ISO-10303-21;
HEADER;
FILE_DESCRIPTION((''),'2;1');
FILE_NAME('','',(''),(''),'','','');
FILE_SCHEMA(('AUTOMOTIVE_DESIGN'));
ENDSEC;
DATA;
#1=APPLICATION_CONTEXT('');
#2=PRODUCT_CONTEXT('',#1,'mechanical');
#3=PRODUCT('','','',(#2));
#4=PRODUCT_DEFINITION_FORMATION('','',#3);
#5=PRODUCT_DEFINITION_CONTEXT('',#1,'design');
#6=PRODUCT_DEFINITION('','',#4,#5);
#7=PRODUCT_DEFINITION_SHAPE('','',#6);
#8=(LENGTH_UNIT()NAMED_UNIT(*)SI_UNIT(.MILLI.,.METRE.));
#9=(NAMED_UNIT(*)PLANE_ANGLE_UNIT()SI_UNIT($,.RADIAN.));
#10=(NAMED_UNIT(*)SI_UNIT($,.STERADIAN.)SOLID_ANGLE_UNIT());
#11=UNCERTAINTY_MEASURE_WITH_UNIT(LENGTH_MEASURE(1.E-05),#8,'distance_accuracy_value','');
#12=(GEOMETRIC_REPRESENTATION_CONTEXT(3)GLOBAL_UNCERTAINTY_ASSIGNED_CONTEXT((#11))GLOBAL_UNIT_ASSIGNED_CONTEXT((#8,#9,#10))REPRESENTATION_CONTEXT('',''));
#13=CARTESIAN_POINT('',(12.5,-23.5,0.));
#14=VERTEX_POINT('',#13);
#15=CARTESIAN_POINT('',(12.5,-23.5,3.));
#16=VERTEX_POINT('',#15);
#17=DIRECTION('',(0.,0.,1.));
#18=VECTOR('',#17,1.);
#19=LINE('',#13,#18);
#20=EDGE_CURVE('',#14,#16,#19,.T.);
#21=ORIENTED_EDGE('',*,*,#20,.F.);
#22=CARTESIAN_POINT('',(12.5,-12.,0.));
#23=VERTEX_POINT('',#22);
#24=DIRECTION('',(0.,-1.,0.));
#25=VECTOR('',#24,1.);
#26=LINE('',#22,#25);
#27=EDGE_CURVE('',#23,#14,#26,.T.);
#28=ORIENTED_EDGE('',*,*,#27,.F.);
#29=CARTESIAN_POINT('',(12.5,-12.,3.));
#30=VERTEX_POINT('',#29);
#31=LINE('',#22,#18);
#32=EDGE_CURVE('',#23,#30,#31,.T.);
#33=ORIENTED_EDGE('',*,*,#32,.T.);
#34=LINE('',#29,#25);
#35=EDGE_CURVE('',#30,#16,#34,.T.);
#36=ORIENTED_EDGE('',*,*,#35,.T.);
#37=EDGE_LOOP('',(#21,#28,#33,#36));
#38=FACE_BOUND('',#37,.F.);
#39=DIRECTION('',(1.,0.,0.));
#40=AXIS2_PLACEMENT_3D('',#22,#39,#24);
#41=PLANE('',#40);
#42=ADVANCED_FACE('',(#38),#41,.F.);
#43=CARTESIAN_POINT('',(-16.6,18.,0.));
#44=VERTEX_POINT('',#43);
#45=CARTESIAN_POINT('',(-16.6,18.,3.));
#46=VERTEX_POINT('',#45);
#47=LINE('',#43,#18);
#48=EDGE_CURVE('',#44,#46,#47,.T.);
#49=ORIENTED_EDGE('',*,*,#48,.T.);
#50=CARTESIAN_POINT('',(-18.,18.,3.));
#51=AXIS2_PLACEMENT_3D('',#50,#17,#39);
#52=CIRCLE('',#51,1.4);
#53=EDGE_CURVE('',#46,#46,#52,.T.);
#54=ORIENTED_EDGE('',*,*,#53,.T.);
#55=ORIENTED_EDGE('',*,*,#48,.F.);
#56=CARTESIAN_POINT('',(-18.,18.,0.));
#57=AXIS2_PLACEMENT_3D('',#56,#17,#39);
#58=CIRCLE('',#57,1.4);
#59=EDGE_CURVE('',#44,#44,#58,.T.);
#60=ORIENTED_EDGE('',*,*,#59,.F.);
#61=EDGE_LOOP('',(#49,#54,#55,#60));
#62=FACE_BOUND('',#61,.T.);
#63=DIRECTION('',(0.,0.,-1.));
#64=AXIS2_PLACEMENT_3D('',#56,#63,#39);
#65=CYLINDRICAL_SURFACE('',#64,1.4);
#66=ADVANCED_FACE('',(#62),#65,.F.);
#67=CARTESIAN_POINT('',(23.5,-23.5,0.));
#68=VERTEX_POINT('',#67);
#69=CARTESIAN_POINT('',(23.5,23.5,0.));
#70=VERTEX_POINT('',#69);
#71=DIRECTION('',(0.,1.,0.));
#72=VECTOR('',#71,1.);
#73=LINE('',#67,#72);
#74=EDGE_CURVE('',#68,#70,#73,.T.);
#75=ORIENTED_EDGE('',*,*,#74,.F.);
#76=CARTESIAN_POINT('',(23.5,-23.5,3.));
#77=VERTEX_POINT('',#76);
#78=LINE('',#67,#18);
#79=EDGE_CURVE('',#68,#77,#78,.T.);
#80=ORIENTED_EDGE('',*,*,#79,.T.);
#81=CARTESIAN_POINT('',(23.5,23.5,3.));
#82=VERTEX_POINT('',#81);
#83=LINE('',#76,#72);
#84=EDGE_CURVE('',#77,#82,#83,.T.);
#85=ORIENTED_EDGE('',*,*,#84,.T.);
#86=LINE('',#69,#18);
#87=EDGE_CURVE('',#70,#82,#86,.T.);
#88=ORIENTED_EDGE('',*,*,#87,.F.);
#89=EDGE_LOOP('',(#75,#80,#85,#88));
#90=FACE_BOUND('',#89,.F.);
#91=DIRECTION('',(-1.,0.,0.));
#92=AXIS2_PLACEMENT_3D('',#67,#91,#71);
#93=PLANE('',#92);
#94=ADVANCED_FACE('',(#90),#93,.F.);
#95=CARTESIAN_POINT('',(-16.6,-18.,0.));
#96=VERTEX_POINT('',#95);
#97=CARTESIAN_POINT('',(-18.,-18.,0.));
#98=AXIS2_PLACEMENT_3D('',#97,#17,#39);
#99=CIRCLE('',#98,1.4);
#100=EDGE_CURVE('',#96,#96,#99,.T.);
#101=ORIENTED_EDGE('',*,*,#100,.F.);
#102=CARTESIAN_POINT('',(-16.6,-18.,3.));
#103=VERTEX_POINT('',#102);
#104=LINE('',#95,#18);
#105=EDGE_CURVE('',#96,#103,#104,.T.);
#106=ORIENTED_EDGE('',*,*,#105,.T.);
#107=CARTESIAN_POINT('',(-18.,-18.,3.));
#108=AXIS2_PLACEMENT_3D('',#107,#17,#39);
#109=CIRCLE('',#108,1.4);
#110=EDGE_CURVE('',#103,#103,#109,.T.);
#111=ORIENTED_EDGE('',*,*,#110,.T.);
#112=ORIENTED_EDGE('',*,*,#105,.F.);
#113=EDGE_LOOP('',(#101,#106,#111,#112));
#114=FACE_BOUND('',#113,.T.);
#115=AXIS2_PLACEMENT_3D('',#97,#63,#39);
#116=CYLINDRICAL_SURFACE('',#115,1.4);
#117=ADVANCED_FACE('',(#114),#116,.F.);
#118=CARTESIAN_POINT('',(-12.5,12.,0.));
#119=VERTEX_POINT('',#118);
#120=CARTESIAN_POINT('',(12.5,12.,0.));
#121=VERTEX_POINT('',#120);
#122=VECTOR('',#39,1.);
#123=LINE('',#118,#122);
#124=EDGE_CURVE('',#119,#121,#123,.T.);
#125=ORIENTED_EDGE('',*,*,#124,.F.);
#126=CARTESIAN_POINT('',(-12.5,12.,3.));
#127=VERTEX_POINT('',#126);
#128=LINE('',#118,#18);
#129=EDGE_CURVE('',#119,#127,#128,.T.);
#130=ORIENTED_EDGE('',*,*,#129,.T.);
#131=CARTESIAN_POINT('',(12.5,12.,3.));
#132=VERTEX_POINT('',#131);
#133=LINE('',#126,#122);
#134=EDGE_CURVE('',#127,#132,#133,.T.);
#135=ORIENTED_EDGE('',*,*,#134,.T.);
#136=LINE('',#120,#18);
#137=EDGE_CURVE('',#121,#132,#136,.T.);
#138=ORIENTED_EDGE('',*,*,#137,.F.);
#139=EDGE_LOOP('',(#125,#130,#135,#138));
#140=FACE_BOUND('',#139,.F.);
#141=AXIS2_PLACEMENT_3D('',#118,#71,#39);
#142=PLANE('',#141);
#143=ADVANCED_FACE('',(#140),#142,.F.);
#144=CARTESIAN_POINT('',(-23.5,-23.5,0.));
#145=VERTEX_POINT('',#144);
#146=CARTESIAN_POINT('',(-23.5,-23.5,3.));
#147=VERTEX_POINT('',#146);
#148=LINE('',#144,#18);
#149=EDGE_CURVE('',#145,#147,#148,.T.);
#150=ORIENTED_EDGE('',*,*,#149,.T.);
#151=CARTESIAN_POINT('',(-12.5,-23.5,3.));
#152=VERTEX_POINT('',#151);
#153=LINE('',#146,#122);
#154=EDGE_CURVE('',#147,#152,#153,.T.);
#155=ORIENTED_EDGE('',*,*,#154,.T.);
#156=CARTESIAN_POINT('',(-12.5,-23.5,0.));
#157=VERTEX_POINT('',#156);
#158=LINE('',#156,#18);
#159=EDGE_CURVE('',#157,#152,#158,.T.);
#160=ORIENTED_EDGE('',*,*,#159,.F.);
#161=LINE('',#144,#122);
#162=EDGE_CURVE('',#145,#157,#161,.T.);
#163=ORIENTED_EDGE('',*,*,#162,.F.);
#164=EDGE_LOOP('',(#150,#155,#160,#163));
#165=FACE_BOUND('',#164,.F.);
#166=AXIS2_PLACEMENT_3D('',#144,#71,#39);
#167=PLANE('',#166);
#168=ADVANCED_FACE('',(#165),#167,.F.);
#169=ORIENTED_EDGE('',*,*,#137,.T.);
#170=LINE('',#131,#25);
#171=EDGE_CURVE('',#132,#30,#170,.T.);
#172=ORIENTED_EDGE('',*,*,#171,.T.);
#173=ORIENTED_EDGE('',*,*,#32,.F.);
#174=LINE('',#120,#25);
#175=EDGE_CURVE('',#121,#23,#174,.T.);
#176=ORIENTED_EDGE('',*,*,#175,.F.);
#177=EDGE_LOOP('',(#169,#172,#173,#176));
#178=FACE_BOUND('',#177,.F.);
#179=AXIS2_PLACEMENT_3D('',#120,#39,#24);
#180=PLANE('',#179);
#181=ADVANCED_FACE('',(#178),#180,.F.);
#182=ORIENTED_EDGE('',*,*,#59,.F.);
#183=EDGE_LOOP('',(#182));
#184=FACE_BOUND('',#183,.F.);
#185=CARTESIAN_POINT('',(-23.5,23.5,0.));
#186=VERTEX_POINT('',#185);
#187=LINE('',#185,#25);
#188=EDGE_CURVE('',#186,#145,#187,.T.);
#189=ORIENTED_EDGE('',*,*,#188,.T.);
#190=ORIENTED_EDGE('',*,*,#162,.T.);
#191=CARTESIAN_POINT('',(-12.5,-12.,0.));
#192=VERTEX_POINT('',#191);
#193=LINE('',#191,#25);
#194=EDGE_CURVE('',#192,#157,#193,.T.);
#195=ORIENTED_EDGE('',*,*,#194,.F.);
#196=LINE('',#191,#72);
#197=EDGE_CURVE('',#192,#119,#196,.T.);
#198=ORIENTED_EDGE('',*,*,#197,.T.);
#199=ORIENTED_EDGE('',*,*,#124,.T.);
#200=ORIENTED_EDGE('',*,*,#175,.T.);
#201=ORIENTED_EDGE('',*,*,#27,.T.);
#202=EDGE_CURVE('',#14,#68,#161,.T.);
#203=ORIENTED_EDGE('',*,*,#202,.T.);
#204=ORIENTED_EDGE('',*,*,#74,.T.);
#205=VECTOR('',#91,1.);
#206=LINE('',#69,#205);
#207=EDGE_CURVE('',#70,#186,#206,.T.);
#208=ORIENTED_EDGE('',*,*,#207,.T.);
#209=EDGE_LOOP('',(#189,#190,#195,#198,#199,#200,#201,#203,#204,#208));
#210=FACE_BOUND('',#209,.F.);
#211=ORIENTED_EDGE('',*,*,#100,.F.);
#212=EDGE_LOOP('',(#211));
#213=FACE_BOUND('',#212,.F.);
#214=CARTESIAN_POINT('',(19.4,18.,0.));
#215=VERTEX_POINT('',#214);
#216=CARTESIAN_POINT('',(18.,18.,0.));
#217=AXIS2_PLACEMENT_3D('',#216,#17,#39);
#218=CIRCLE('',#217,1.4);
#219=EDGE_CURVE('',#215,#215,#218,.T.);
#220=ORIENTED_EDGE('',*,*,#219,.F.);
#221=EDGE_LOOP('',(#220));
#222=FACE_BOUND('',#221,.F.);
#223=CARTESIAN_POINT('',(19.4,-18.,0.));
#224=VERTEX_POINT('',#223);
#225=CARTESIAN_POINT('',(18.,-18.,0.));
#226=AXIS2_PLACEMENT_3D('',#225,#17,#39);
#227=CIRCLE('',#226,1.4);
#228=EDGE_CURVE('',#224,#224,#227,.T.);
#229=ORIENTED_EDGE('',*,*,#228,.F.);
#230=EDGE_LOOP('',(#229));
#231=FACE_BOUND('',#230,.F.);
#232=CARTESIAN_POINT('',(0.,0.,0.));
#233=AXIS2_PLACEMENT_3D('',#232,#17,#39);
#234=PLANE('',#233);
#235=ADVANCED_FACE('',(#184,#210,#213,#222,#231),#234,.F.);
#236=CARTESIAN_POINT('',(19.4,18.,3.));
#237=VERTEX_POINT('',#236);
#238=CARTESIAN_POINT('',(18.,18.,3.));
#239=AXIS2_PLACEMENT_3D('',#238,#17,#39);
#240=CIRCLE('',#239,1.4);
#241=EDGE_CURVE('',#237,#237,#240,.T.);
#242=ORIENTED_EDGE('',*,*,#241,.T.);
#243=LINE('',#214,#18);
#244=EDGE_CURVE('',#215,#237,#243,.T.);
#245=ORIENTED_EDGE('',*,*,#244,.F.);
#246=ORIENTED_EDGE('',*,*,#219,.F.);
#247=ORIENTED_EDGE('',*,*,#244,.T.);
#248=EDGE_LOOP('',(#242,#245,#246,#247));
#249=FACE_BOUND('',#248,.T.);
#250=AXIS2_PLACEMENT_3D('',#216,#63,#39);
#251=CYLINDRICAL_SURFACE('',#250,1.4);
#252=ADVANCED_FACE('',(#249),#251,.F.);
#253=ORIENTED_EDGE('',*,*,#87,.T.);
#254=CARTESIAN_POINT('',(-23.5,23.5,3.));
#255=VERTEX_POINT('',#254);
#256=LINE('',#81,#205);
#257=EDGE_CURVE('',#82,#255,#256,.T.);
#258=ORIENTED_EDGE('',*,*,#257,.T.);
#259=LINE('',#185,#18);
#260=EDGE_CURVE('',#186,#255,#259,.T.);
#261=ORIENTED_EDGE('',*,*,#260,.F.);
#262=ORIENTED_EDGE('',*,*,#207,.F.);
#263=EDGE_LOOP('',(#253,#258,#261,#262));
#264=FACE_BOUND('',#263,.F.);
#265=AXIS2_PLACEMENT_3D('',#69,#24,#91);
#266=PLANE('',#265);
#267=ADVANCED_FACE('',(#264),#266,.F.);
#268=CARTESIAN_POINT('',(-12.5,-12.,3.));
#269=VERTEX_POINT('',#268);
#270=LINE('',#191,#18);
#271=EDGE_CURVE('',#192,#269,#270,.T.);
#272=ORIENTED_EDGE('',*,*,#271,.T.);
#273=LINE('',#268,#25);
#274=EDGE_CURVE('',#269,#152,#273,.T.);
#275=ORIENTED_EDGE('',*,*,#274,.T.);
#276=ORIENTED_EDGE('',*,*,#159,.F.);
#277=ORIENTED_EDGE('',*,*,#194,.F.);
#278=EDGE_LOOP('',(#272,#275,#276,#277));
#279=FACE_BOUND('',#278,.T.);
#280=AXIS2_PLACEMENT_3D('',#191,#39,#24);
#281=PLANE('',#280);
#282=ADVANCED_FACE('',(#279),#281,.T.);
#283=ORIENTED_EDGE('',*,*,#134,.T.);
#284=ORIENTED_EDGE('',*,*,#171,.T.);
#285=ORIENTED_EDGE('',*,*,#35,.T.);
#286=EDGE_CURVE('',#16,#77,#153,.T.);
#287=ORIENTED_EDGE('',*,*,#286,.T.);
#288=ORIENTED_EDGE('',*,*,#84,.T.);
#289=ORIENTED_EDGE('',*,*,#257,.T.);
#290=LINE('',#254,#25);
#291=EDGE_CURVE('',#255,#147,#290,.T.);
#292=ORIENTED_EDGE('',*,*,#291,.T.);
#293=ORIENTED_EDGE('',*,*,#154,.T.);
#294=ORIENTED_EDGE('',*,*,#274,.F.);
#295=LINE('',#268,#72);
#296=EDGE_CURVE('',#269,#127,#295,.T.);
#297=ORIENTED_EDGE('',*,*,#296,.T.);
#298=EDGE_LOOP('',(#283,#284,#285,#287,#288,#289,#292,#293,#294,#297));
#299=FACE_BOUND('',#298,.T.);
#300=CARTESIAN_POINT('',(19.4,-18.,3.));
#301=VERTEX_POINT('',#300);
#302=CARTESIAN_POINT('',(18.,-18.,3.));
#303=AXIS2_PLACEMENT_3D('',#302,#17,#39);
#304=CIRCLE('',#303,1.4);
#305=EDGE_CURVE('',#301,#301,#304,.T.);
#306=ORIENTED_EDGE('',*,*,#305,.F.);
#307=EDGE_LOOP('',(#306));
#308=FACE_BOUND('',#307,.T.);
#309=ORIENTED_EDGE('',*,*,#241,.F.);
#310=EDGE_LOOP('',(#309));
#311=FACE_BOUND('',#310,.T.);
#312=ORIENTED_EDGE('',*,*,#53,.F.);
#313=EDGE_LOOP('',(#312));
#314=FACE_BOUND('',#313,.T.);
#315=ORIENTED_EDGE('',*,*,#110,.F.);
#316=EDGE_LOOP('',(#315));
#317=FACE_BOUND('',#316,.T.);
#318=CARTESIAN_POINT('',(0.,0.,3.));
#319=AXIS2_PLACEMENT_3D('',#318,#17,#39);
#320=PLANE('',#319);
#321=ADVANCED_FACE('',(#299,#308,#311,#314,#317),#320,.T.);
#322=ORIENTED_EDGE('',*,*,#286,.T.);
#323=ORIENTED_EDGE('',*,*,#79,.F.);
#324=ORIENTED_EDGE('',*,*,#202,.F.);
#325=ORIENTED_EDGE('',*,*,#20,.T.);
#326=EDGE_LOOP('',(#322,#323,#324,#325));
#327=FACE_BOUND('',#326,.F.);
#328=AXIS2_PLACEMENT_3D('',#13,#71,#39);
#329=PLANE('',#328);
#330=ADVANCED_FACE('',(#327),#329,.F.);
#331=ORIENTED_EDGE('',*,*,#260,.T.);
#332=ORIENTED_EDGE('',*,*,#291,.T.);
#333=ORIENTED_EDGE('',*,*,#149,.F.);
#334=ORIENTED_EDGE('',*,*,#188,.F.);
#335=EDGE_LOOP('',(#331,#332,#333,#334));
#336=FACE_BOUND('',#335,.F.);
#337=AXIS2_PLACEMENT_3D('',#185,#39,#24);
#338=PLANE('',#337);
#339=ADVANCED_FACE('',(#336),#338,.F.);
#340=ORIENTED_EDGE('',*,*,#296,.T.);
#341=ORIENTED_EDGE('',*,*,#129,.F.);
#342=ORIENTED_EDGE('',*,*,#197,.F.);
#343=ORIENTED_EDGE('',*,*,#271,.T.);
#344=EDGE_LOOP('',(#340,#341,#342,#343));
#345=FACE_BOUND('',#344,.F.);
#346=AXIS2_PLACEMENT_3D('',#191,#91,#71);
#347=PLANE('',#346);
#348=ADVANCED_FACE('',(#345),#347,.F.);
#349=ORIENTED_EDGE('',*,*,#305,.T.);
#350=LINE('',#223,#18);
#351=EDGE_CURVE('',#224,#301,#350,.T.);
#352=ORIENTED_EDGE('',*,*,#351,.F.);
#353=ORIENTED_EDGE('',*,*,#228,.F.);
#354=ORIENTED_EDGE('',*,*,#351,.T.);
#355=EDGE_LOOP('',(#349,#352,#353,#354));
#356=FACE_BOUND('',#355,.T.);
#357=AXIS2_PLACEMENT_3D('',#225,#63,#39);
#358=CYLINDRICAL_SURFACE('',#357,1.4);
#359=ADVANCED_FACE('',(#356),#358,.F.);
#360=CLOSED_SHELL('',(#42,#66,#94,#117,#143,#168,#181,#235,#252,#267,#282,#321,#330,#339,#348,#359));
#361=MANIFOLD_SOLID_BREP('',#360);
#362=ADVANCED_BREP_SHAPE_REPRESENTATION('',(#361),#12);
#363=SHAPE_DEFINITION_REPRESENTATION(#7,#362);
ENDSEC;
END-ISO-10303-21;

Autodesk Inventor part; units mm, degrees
ref_plane "YZ Plane" through (0, 0, 0) normal (1, 0, 0) x (0, 1, 0)
ref_plane "XZ Plane" through (0, 0, 0) normal (0, 1, 0) x (-1, 0, 0)
ref_plane "XY Plane" through (0, 0, 0) normal (0, 0, 1) x (1, 0, 0)
sketch "Sketch1" plane through (0, 0, 0) normal (0, 0, 1) x (1, 0, 0)
  line L0 (-23.5, 23.5) -> (-23.5, -23.5) projected
  line L1 (23.5, 23.5) -> (-23.5, 23.5) projected
  line L2 (23.5, -23.5) -> (23.5, 23.5) projected
  line L3 (-23.5, -23.5) -> (23.5, -23.5) projected
  circle A0 centre (-18, -18) radius 1.4 projected
  circle A1 centre (-18, 18) radius 1.4 projected
  circle A2 centre (18, 18) radius 1.4 projected
  circle A3 centre (18, -18) radius 1.4 projected
  line L4 (12.5, 12) -> (12.5, -12) projected
  line L5 (-12.5, -12) -> (-12.5, 12) projected
  line L6 (-12.5, 12) -> (12.5, 12) projected
  line L7 (12.5, -12) -> (12.5, -23.5)
  line L8 (-12.5, -12) -> (-12.5, -23.5)
  point P0 (0, 0)
extrude "Extrusion1" add sketch "Sketch1" along normal blind 3 contours L1 L2 L3 L7 L4 L6 L5 L8 L0
properties part number "Camera-Holder_Mount-Bottom"
